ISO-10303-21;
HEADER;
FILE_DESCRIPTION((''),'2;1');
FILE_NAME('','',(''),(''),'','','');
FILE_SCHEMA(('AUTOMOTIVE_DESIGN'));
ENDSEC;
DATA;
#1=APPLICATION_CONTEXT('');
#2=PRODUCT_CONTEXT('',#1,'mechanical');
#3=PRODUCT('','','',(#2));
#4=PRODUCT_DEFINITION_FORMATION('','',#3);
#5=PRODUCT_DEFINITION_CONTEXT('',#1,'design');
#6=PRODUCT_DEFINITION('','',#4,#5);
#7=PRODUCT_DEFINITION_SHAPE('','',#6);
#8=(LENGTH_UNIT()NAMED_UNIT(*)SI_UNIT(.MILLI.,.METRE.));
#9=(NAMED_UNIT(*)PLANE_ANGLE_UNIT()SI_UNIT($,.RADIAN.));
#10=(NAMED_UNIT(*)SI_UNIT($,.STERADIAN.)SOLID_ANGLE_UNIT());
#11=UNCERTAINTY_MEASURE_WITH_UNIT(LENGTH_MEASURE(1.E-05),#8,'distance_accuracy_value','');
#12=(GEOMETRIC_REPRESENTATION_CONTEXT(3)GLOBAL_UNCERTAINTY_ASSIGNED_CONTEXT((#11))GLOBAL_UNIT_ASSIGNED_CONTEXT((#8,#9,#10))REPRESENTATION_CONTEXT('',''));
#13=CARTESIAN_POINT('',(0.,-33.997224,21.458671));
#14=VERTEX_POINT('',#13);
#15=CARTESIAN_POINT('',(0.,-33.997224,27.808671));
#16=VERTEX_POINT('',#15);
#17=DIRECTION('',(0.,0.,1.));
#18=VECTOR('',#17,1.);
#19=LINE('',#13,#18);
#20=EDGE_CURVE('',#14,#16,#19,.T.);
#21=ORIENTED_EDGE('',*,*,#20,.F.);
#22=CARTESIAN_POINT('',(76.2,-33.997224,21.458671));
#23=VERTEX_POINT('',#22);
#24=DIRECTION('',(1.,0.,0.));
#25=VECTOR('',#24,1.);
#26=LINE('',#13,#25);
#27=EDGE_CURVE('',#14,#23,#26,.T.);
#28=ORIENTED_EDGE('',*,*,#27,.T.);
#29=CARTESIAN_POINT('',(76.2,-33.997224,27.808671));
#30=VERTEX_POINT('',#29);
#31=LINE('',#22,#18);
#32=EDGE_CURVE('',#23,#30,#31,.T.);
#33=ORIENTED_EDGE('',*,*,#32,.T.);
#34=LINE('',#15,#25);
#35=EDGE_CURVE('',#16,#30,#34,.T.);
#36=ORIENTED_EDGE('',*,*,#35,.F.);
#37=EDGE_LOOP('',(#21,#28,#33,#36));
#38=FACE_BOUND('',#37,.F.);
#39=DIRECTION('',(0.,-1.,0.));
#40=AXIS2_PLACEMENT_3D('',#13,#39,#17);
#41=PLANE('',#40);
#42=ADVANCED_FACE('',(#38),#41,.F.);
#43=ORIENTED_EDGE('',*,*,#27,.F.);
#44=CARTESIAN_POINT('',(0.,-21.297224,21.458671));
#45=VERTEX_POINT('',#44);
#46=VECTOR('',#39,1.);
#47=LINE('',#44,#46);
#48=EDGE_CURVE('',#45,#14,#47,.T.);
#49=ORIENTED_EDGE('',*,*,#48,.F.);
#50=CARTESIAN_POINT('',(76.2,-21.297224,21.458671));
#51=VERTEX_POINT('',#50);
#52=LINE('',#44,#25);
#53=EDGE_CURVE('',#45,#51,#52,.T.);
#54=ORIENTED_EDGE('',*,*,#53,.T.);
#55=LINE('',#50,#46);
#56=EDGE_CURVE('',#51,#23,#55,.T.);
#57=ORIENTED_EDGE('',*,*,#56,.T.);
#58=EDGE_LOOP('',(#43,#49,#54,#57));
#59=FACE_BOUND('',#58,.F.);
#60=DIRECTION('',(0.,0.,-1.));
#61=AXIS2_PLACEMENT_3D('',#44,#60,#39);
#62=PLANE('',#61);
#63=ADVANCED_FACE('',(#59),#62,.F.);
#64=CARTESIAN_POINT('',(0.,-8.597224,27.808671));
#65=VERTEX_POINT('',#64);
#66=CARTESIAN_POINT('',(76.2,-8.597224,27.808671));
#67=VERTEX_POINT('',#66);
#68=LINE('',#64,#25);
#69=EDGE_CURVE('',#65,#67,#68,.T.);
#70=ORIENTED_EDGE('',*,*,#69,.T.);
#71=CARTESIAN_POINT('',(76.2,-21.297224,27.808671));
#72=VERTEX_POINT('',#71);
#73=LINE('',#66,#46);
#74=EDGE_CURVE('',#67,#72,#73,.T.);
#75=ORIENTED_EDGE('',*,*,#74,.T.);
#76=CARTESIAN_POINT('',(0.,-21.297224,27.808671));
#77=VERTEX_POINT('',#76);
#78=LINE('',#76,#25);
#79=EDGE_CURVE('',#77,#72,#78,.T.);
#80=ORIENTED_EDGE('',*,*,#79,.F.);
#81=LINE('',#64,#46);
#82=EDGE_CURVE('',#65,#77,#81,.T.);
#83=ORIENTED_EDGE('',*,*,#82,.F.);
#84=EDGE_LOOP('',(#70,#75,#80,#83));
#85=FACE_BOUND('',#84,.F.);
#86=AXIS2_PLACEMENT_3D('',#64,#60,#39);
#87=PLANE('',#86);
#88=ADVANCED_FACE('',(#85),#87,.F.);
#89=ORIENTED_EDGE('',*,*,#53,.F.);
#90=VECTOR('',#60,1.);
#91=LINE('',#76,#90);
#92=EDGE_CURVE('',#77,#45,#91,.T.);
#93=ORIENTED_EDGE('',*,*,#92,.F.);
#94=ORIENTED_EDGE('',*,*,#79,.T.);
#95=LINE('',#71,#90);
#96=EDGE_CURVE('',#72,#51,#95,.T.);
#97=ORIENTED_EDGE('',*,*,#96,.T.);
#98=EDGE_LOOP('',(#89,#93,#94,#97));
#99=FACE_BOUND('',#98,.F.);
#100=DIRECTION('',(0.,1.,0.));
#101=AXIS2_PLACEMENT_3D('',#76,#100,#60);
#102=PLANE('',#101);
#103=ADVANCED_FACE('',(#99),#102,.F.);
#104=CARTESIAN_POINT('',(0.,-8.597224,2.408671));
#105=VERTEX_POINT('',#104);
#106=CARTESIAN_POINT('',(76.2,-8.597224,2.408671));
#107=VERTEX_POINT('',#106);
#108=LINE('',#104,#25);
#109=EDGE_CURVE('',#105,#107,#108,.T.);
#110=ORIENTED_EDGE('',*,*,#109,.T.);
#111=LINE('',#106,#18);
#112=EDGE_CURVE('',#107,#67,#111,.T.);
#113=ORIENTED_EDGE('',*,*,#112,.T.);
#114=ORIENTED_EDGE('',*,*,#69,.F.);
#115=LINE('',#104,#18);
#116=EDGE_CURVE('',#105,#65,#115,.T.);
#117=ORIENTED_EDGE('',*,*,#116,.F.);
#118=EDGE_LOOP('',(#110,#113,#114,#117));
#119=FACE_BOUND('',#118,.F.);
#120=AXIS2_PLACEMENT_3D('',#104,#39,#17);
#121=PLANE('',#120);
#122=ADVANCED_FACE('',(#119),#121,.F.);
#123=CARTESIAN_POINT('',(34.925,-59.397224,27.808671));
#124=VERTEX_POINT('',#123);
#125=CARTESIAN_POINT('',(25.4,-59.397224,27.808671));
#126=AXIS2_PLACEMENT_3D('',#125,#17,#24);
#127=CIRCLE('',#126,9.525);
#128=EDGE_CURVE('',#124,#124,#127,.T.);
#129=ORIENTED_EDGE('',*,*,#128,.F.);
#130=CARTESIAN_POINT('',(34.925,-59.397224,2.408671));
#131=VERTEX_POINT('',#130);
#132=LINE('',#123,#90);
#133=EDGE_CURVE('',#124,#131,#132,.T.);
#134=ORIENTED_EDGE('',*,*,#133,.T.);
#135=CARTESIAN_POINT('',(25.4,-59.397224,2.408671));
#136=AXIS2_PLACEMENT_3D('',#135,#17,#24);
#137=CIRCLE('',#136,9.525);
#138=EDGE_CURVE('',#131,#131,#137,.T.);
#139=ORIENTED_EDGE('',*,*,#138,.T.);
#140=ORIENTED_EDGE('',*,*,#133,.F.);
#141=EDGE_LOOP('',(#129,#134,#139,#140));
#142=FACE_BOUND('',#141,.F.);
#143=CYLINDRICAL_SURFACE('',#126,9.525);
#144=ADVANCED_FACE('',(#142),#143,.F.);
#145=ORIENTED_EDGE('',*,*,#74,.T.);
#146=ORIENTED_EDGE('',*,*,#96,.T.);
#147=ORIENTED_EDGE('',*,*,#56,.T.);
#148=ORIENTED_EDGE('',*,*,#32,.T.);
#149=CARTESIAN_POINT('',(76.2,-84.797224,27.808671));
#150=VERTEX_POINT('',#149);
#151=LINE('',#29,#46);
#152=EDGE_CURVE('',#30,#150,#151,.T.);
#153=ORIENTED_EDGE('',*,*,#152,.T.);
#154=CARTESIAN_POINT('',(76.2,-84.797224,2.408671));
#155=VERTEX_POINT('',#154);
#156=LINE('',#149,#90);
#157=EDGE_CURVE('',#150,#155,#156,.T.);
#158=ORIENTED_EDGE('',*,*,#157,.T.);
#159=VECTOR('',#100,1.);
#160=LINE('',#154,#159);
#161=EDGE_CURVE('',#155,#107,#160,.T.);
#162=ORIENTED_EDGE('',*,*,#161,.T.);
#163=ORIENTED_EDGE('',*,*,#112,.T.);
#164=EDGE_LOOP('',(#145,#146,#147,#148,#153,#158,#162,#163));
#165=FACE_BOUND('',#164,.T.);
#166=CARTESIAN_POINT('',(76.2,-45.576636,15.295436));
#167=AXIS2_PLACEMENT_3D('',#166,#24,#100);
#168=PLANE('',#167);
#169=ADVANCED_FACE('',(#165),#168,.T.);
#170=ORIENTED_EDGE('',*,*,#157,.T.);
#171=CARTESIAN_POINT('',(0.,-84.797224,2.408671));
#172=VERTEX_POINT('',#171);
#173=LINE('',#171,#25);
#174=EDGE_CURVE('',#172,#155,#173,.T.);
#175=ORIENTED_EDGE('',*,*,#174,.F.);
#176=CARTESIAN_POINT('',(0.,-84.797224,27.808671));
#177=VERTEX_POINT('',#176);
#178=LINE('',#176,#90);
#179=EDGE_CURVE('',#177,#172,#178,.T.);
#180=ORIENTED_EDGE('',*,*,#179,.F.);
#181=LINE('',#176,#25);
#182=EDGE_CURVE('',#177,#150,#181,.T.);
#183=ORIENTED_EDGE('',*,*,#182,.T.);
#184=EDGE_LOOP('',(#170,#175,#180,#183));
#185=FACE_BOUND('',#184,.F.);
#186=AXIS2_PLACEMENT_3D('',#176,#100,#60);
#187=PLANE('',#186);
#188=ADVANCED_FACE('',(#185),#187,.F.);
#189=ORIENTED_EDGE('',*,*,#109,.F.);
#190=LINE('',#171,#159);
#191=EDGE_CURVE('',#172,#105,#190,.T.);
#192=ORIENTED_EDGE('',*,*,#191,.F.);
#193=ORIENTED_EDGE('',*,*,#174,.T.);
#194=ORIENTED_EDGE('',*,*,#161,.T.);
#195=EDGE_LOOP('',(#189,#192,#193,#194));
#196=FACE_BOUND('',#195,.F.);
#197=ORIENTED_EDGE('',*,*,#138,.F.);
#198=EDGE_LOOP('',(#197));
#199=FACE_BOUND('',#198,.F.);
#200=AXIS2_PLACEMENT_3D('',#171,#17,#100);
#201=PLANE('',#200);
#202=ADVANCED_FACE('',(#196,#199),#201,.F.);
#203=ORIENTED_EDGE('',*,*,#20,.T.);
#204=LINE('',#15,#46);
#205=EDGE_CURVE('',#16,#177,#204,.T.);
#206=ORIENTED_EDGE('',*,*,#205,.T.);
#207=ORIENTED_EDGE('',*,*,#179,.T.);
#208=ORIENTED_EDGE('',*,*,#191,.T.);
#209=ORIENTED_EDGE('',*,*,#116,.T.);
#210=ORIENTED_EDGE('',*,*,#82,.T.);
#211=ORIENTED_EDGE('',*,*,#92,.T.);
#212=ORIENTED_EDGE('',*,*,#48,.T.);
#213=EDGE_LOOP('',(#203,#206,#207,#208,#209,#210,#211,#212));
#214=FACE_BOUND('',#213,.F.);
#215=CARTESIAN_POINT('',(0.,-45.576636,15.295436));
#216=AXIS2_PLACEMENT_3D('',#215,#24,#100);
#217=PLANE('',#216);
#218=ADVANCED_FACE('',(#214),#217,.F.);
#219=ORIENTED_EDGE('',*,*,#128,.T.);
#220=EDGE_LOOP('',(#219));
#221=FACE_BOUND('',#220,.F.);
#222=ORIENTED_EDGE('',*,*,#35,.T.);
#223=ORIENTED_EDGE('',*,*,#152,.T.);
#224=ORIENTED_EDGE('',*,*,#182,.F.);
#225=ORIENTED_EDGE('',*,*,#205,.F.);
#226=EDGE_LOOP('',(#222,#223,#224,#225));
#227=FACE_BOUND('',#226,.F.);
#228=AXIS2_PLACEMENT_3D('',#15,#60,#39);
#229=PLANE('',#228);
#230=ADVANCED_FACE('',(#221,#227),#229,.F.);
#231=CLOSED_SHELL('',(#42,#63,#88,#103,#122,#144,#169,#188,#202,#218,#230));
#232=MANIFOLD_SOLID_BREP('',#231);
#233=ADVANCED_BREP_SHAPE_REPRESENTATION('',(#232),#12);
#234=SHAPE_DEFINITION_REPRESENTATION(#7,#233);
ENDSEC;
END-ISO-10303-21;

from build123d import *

# Parameters (mm, degrees)
F1_DEPTH = 76.2
F2_R     = 9.525
F3_DEPTH = 25.401


with BuildPart() as f1:
    # F0 (on Right) → F1 (new body)
    with BuildSketch(Plane.YZ):
        Polygon((-33.997224, 27.808671), (-84.797224, 27.808671), (-84.797224, 2.408671), (-8.597224, 2.408671), (-8.597224, 27.808671), (-21.297224, 27.808671), (-21.297224, 21.458671), (-33.997224, 21.458671), align=None)
    extrude(amount=F1_DEPTH)

    # F2 (on face) → F3 (cut, through all)
    with BuildSketch(Plane.XY.offset(27.808671)):
        with Locations((25.4, -59.397224)):
            Circle(F2_R)
    extrude(amount=-F3_DEPTH, mode=Mode.SUBTRACT)


solid = f1.part
